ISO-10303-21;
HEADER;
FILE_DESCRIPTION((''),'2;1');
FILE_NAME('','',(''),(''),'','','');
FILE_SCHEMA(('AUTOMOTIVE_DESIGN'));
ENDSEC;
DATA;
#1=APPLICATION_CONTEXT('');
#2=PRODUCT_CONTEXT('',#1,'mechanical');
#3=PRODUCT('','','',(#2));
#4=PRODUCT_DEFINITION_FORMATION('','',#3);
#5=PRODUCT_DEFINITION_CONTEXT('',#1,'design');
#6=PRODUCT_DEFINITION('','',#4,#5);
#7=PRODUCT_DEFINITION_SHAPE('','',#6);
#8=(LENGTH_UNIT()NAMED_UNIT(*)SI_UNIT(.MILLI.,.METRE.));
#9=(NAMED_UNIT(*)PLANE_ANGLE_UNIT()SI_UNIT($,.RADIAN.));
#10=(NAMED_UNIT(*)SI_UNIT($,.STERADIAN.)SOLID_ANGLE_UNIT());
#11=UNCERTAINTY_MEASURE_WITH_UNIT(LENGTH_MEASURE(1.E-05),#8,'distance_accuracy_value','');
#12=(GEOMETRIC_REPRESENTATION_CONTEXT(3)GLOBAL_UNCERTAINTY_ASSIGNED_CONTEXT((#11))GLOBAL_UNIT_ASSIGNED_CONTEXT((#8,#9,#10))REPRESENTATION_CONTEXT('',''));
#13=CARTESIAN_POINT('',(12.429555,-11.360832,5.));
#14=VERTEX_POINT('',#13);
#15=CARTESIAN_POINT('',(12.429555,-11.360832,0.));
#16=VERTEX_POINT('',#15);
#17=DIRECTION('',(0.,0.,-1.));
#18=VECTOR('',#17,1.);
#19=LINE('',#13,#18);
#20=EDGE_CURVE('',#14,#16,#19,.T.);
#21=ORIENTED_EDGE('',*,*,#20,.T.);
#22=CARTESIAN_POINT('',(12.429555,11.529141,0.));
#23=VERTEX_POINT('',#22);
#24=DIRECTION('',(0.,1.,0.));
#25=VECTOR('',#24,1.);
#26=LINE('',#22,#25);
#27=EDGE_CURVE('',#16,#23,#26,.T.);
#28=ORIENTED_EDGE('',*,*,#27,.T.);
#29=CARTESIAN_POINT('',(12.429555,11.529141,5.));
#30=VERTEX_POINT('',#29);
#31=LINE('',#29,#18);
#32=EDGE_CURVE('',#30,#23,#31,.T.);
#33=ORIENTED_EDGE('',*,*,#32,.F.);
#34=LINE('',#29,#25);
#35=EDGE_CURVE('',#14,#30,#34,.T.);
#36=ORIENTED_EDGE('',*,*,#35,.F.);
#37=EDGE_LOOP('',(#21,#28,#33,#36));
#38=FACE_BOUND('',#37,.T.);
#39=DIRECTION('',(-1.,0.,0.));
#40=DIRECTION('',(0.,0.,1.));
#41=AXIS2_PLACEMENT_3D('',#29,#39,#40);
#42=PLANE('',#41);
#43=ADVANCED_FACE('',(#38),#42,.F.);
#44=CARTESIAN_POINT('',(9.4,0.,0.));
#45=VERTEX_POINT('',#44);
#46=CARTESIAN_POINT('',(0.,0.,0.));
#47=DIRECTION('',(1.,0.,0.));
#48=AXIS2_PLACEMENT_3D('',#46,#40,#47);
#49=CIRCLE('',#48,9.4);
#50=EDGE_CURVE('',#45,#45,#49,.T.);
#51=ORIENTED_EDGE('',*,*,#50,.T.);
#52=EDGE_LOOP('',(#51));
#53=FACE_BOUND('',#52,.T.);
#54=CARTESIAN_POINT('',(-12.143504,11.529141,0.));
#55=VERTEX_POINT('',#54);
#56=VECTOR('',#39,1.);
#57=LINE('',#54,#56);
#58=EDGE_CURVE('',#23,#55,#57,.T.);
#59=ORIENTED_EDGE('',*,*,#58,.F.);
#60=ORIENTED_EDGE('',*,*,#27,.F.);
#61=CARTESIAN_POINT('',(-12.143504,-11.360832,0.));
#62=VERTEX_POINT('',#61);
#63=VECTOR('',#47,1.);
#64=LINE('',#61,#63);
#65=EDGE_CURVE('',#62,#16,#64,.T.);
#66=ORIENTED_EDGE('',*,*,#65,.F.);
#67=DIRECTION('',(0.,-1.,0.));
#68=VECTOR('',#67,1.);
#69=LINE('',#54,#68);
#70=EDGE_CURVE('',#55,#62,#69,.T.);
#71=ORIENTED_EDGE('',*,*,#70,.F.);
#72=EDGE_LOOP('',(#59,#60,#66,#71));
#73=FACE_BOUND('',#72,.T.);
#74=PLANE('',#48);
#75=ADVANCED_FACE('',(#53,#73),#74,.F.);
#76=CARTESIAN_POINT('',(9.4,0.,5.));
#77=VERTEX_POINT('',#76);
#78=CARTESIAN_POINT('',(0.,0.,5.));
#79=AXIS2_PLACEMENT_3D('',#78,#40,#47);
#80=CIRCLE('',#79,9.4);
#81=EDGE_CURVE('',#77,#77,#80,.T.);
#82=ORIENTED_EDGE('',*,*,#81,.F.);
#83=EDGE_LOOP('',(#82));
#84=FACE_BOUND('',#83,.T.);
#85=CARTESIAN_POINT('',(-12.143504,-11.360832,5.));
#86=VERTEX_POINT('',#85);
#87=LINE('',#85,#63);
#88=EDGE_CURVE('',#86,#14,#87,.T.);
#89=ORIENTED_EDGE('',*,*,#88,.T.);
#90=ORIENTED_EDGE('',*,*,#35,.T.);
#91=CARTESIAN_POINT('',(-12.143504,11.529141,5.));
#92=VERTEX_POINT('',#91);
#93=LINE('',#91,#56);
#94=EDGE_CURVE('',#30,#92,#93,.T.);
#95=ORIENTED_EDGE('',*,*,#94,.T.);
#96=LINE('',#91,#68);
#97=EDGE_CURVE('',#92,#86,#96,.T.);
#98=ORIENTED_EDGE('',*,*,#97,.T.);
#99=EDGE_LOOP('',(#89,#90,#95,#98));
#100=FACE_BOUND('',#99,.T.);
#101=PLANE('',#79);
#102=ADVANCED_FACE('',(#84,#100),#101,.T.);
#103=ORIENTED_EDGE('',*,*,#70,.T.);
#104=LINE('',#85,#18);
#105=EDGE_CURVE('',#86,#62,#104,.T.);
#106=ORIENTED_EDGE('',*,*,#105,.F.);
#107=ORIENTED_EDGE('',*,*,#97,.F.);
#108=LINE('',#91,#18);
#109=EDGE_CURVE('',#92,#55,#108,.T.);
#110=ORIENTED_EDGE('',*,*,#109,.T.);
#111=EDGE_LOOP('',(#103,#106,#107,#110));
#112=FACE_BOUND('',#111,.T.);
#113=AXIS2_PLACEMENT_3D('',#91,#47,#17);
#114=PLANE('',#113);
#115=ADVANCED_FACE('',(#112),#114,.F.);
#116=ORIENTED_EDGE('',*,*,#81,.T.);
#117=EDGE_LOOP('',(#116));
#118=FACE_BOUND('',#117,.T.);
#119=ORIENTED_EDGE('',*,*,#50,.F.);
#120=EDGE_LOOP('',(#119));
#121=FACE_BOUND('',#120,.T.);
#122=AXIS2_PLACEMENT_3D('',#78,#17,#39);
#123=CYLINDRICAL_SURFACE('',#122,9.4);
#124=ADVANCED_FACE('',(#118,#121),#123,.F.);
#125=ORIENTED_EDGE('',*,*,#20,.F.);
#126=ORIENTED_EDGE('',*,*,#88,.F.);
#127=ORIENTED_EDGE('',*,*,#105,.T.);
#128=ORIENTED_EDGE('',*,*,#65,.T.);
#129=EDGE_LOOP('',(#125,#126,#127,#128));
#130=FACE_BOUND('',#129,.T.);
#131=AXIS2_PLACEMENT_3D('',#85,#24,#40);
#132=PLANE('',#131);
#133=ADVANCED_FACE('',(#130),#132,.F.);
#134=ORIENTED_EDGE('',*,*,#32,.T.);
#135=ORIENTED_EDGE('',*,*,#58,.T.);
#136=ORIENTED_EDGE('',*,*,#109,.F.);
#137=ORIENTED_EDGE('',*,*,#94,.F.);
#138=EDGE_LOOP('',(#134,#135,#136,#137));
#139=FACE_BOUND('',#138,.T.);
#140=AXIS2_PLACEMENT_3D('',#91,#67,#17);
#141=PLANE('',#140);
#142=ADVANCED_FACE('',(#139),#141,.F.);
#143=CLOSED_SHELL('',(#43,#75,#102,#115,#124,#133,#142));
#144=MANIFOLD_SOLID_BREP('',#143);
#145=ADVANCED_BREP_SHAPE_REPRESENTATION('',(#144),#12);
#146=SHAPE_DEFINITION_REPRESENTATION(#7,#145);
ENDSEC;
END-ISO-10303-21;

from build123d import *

# Parameters (mm, degrees)
ESQUISSE1_W        = 24.573059782
ESQUISSE1_H        = 22.889973495
ESQUISSE1_R        = 9.4
BOSS_EXTRU_1_DEPTH = 5


with BuildPart() as part:
    # Esquisse1 → Boss.-Extru.1 (new body)
    with BuildSketch(Plane.XY):
        with Locations((0.143025425, 0.084154315)):
            Rectangle(ESQUISSE1_W, ESQUISSE1_H)
        Circle(ESQUISSE1_R, mode=Mode.SUBTRACT)
    extrude(amount=BOSS_EXTRU_1_DEPTH)


solid = part.part
